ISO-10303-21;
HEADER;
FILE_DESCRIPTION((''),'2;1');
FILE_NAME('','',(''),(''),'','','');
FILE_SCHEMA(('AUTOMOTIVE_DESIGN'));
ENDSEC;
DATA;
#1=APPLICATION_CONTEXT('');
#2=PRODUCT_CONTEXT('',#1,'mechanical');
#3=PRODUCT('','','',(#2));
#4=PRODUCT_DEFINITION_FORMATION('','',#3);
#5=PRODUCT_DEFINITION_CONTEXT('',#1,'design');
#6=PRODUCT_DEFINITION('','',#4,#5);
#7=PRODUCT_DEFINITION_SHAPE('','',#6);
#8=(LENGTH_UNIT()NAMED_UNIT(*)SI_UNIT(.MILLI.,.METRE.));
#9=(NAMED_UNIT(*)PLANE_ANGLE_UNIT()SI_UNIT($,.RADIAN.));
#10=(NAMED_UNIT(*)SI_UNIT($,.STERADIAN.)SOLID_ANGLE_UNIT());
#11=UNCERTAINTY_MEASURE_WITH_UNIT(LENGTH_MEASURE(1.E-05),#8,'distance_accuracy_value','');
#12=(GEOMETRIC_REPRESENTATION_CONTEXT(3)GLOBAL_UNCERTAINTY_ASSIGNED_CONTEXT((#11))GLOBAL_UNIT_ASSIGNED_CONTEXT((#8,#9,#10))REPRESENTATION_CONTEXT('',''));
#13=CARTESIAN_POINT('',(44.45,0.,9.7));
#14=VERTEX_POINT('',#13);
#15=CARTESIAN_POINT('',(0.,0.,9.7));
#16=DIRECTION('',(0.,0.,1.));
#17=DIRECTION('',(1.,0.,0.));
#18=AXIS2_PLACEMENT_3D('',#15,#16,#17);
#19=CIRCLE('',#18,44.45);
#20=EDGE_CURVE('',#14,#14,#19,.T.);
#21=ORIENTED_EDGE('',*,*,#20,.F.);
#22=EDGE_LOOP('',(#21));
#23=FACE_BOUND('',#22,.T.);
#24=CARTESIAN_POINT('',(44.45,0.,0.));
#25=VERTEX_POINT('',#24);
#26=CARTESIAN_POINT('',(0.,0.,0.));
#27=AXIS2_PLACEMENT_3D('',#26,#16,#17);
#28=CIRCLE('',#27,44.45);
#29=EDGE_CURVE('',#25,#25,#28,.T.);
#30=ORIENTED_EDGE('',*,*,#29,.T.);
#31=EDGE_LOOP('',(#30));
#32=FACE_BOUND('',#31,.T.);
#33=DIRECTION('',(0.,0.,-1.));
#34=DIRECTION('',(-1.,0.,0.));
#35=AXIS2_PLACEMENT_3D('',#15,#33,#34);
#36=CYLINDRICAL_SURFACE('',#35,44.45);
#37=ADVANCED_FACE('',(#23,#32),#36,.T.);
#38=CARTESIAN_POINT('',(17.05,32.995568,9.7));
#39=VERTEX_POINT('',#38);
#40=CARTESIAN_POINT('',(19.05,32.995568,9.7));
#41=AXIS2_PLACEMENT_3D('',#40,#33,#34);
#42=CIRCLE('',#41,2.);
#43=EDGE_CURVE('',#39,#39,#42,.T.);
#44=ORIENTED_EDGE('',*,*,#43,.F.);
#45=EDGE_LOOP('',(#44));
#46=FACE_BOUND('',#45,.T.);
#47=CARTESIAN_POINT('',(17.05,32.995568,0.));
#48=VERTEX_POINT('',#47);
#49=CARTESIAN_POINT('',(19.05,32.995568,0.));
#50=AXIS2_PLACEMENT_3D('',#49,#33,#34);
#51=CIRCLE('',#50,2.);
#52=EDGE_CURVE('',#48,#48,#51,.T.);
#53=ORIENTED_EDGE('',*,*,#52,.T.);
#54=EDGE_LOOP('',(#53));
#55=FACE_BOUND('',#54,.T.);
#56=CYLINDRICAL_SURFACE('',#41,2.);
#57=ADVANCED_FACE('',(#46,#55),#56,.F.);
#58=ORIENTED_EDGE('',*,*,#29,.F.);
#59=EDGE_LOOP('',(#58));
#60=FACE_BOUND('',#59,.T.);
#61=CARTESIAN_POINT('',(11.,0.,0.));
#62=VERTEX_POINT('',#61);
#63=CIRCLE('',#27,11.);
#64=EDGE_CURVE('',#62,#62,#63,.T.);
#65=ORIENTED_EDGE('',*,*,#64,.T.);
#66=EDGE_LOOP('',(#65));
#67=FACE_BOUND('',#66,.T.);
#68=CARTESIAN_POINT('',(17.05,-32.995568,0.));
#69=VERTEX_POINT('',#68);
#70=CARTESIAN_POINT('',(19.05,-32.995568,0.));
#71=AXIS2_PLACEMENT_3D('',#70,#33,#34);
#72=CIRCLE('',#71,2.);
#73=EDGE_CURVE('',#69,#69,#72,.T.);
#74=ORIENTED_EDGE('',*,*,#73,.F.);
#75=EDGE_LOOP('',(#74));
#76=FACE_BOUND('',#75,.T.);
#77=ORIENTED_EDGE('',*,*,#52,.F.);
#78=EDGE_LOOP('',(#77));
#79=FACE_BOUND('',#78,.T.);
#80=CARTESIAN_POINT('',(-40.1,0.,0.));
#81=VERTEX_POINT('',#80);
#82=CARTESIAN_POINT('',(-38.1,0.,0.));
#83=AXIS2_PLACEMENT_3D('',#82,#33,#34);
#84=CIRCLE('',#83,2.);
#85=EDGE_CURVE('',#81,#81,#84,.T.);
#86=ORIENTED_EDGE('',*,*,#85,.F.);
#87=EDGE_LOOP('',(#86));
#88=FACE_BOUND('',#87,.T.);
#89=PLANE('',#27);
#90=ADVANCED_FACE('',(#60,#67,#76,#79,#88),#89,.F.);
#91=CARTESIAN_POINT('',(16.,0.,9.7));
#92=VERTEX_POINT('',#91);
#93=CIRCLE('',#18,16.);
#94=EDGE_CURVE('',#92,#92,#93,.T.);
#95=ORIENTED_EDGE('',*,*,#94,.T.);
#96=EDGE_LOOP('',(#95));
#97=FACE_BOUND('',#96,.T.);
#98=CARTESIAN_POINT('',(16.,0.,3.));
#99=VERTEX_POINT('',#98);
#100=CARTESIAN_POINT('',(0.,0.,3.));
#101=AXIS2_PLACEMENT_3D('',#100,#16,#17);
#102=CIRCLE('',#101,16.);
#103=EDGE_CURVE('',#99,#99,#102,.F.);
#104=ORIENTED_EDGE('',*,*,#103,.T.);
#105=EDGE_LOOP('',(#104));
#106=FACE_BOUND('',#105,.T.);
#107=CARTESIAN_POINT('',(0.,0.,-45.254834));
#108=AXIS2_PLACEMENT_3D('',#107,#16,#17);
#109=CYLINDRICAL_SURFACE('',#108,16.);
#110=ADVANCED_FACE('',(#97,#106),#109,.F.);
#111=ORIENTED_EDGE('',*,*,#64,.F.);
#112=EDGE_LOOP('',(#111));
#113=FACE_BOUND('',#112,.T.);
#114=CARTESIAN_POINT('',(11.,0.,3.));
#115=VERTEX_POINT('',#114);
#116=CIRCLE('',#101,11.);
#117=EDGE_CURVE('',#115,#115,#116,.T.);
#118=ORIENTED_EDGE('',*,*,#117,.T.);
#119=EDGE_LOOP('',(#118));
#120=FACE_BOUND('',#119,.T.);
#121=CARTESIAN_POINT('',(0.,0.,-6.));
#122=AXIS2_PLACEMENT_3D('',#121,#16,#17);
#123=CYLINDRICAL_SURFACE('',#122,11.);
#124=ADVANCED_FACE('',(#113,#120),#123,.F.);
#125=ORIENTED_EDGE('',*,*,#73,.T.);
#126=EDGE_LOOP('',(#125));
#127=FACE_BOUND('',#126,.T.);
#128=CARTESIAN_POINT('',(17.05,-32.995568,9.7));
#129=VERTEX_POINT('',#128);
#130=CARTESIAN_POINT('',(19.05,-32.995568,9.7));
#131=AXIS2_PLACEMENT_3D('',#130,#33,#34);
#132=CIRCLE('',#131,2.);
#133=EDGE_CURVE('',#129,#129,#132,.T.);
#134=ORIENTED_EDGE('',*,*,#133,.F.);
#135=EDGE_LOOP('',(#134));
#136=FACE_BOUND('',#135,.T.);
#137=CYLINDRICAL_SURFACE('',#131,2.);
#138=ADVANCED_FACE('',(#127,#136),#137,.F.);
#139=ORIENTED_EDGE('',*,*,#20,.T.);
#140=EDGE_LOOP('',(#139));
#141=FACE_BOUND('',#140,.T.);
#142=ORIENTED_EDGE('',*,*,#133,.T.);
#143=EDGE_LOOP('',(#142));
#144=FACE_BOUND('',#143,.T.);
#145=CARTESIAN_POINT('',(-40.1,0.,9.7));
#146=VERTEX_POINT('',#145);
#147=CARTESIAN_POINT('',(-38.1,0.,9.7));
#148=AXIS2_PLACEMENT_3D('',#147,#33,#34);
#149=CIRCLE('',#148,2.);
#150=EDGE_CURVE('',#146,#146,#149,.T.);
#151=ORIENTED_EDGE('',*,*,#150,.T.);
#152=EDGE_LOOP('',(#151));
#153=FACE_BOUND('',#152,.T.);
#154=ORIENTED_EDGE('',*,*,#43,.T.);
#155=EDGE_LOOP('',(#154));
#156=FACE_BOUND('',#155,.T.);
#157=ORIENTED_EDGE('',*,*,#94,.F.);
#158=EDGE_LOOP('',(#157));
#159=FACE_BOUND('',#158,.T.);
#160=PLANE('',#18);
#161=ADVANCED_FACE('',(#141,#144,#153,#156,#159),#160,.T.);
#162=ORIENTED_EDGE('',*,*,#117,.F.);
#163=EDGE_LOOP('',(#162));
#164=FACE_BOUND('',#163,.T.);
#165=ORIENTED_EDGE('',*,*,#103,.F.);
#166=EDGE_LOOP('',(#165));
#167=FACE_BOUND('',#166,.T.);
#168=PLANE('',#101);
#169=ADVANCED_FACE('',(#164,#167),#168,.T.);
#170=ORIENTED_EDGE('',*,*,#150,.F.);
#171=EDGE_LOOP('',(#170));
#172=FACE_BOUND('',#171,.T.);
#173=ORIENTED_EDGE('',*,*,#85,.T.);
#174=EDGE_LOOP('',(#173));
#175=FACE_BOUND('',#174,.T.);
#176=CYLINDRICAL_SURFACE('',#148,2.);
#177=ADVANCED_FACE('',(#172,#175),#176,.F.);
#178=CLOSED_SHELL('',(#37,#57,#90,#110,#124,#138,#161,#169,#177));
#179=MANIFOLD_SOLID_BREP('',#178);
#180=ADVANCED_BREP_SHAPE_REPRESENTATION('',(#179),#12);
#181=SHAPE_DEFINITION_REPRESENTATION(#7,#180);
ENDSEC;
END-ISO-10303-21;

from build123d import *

# Parameters (mm, degrees)
SKETCH1_R           = 44.45
BOSS_EXTRUDE1_DEPTH = 9.7
SKETCH2_R           = 16
CUT_EXTRUDE1_DEPTH  = 6.7
SKETCH3_R           = 11
CUT_EXTRUDE2_DEPTH  = 9
SKETCH5_R           = 2
CUT_EXTRUDE4_DEPTH  = 10.7


with BuildPart() as part:
    # Sketch1 → Boss-Extrude1 (new body)
    with BuildSketch(Plane.XY):
        Circle(SKETCH1_R)
    extrude(amount=BOSS_EXTRUDE1_DEPTH)

    # Sketch2 → Cut-Extrude1 (cut)
    with BuildSketch(Plane.XY.offset(9.7)):
        Circle(SKETCH2_R)
    extrude(amount=-CUT_EXTRUDE1_DEPTH, mode=Mode.SUBTRACT)

    # Sketch3 → Cut-Extrude2 (cut)
    with BuildSketch(Plane.XY.offset(3)):
        Circle(SKETCH3_R)
    extrude(amount=-CUT_EXTRUDE2_DEPTH, mode=Mode.SUBTRACT)

    # Sketch5 → Cut-Extrude4 (cut, through all)
    with BuildSketch(Plane(origin=(0, 0, 0), x_dir=(-1, 0, 0), z_dir=(0, 0, -1))):
        with Locations((38.1, 0)):
            Circle(SKETCH5_R)
        with Locations((-19.05, -32.995567884)):
            Circle(SKETCH5_R)
        with Locations((-19.05, 32.995567884)):
            Circle(SKETCH5_R)
    extrude(amount=-CUT_EXTRUDE4_DEPTH, mode=Mode.SUBTRACT)


solid = part.part
